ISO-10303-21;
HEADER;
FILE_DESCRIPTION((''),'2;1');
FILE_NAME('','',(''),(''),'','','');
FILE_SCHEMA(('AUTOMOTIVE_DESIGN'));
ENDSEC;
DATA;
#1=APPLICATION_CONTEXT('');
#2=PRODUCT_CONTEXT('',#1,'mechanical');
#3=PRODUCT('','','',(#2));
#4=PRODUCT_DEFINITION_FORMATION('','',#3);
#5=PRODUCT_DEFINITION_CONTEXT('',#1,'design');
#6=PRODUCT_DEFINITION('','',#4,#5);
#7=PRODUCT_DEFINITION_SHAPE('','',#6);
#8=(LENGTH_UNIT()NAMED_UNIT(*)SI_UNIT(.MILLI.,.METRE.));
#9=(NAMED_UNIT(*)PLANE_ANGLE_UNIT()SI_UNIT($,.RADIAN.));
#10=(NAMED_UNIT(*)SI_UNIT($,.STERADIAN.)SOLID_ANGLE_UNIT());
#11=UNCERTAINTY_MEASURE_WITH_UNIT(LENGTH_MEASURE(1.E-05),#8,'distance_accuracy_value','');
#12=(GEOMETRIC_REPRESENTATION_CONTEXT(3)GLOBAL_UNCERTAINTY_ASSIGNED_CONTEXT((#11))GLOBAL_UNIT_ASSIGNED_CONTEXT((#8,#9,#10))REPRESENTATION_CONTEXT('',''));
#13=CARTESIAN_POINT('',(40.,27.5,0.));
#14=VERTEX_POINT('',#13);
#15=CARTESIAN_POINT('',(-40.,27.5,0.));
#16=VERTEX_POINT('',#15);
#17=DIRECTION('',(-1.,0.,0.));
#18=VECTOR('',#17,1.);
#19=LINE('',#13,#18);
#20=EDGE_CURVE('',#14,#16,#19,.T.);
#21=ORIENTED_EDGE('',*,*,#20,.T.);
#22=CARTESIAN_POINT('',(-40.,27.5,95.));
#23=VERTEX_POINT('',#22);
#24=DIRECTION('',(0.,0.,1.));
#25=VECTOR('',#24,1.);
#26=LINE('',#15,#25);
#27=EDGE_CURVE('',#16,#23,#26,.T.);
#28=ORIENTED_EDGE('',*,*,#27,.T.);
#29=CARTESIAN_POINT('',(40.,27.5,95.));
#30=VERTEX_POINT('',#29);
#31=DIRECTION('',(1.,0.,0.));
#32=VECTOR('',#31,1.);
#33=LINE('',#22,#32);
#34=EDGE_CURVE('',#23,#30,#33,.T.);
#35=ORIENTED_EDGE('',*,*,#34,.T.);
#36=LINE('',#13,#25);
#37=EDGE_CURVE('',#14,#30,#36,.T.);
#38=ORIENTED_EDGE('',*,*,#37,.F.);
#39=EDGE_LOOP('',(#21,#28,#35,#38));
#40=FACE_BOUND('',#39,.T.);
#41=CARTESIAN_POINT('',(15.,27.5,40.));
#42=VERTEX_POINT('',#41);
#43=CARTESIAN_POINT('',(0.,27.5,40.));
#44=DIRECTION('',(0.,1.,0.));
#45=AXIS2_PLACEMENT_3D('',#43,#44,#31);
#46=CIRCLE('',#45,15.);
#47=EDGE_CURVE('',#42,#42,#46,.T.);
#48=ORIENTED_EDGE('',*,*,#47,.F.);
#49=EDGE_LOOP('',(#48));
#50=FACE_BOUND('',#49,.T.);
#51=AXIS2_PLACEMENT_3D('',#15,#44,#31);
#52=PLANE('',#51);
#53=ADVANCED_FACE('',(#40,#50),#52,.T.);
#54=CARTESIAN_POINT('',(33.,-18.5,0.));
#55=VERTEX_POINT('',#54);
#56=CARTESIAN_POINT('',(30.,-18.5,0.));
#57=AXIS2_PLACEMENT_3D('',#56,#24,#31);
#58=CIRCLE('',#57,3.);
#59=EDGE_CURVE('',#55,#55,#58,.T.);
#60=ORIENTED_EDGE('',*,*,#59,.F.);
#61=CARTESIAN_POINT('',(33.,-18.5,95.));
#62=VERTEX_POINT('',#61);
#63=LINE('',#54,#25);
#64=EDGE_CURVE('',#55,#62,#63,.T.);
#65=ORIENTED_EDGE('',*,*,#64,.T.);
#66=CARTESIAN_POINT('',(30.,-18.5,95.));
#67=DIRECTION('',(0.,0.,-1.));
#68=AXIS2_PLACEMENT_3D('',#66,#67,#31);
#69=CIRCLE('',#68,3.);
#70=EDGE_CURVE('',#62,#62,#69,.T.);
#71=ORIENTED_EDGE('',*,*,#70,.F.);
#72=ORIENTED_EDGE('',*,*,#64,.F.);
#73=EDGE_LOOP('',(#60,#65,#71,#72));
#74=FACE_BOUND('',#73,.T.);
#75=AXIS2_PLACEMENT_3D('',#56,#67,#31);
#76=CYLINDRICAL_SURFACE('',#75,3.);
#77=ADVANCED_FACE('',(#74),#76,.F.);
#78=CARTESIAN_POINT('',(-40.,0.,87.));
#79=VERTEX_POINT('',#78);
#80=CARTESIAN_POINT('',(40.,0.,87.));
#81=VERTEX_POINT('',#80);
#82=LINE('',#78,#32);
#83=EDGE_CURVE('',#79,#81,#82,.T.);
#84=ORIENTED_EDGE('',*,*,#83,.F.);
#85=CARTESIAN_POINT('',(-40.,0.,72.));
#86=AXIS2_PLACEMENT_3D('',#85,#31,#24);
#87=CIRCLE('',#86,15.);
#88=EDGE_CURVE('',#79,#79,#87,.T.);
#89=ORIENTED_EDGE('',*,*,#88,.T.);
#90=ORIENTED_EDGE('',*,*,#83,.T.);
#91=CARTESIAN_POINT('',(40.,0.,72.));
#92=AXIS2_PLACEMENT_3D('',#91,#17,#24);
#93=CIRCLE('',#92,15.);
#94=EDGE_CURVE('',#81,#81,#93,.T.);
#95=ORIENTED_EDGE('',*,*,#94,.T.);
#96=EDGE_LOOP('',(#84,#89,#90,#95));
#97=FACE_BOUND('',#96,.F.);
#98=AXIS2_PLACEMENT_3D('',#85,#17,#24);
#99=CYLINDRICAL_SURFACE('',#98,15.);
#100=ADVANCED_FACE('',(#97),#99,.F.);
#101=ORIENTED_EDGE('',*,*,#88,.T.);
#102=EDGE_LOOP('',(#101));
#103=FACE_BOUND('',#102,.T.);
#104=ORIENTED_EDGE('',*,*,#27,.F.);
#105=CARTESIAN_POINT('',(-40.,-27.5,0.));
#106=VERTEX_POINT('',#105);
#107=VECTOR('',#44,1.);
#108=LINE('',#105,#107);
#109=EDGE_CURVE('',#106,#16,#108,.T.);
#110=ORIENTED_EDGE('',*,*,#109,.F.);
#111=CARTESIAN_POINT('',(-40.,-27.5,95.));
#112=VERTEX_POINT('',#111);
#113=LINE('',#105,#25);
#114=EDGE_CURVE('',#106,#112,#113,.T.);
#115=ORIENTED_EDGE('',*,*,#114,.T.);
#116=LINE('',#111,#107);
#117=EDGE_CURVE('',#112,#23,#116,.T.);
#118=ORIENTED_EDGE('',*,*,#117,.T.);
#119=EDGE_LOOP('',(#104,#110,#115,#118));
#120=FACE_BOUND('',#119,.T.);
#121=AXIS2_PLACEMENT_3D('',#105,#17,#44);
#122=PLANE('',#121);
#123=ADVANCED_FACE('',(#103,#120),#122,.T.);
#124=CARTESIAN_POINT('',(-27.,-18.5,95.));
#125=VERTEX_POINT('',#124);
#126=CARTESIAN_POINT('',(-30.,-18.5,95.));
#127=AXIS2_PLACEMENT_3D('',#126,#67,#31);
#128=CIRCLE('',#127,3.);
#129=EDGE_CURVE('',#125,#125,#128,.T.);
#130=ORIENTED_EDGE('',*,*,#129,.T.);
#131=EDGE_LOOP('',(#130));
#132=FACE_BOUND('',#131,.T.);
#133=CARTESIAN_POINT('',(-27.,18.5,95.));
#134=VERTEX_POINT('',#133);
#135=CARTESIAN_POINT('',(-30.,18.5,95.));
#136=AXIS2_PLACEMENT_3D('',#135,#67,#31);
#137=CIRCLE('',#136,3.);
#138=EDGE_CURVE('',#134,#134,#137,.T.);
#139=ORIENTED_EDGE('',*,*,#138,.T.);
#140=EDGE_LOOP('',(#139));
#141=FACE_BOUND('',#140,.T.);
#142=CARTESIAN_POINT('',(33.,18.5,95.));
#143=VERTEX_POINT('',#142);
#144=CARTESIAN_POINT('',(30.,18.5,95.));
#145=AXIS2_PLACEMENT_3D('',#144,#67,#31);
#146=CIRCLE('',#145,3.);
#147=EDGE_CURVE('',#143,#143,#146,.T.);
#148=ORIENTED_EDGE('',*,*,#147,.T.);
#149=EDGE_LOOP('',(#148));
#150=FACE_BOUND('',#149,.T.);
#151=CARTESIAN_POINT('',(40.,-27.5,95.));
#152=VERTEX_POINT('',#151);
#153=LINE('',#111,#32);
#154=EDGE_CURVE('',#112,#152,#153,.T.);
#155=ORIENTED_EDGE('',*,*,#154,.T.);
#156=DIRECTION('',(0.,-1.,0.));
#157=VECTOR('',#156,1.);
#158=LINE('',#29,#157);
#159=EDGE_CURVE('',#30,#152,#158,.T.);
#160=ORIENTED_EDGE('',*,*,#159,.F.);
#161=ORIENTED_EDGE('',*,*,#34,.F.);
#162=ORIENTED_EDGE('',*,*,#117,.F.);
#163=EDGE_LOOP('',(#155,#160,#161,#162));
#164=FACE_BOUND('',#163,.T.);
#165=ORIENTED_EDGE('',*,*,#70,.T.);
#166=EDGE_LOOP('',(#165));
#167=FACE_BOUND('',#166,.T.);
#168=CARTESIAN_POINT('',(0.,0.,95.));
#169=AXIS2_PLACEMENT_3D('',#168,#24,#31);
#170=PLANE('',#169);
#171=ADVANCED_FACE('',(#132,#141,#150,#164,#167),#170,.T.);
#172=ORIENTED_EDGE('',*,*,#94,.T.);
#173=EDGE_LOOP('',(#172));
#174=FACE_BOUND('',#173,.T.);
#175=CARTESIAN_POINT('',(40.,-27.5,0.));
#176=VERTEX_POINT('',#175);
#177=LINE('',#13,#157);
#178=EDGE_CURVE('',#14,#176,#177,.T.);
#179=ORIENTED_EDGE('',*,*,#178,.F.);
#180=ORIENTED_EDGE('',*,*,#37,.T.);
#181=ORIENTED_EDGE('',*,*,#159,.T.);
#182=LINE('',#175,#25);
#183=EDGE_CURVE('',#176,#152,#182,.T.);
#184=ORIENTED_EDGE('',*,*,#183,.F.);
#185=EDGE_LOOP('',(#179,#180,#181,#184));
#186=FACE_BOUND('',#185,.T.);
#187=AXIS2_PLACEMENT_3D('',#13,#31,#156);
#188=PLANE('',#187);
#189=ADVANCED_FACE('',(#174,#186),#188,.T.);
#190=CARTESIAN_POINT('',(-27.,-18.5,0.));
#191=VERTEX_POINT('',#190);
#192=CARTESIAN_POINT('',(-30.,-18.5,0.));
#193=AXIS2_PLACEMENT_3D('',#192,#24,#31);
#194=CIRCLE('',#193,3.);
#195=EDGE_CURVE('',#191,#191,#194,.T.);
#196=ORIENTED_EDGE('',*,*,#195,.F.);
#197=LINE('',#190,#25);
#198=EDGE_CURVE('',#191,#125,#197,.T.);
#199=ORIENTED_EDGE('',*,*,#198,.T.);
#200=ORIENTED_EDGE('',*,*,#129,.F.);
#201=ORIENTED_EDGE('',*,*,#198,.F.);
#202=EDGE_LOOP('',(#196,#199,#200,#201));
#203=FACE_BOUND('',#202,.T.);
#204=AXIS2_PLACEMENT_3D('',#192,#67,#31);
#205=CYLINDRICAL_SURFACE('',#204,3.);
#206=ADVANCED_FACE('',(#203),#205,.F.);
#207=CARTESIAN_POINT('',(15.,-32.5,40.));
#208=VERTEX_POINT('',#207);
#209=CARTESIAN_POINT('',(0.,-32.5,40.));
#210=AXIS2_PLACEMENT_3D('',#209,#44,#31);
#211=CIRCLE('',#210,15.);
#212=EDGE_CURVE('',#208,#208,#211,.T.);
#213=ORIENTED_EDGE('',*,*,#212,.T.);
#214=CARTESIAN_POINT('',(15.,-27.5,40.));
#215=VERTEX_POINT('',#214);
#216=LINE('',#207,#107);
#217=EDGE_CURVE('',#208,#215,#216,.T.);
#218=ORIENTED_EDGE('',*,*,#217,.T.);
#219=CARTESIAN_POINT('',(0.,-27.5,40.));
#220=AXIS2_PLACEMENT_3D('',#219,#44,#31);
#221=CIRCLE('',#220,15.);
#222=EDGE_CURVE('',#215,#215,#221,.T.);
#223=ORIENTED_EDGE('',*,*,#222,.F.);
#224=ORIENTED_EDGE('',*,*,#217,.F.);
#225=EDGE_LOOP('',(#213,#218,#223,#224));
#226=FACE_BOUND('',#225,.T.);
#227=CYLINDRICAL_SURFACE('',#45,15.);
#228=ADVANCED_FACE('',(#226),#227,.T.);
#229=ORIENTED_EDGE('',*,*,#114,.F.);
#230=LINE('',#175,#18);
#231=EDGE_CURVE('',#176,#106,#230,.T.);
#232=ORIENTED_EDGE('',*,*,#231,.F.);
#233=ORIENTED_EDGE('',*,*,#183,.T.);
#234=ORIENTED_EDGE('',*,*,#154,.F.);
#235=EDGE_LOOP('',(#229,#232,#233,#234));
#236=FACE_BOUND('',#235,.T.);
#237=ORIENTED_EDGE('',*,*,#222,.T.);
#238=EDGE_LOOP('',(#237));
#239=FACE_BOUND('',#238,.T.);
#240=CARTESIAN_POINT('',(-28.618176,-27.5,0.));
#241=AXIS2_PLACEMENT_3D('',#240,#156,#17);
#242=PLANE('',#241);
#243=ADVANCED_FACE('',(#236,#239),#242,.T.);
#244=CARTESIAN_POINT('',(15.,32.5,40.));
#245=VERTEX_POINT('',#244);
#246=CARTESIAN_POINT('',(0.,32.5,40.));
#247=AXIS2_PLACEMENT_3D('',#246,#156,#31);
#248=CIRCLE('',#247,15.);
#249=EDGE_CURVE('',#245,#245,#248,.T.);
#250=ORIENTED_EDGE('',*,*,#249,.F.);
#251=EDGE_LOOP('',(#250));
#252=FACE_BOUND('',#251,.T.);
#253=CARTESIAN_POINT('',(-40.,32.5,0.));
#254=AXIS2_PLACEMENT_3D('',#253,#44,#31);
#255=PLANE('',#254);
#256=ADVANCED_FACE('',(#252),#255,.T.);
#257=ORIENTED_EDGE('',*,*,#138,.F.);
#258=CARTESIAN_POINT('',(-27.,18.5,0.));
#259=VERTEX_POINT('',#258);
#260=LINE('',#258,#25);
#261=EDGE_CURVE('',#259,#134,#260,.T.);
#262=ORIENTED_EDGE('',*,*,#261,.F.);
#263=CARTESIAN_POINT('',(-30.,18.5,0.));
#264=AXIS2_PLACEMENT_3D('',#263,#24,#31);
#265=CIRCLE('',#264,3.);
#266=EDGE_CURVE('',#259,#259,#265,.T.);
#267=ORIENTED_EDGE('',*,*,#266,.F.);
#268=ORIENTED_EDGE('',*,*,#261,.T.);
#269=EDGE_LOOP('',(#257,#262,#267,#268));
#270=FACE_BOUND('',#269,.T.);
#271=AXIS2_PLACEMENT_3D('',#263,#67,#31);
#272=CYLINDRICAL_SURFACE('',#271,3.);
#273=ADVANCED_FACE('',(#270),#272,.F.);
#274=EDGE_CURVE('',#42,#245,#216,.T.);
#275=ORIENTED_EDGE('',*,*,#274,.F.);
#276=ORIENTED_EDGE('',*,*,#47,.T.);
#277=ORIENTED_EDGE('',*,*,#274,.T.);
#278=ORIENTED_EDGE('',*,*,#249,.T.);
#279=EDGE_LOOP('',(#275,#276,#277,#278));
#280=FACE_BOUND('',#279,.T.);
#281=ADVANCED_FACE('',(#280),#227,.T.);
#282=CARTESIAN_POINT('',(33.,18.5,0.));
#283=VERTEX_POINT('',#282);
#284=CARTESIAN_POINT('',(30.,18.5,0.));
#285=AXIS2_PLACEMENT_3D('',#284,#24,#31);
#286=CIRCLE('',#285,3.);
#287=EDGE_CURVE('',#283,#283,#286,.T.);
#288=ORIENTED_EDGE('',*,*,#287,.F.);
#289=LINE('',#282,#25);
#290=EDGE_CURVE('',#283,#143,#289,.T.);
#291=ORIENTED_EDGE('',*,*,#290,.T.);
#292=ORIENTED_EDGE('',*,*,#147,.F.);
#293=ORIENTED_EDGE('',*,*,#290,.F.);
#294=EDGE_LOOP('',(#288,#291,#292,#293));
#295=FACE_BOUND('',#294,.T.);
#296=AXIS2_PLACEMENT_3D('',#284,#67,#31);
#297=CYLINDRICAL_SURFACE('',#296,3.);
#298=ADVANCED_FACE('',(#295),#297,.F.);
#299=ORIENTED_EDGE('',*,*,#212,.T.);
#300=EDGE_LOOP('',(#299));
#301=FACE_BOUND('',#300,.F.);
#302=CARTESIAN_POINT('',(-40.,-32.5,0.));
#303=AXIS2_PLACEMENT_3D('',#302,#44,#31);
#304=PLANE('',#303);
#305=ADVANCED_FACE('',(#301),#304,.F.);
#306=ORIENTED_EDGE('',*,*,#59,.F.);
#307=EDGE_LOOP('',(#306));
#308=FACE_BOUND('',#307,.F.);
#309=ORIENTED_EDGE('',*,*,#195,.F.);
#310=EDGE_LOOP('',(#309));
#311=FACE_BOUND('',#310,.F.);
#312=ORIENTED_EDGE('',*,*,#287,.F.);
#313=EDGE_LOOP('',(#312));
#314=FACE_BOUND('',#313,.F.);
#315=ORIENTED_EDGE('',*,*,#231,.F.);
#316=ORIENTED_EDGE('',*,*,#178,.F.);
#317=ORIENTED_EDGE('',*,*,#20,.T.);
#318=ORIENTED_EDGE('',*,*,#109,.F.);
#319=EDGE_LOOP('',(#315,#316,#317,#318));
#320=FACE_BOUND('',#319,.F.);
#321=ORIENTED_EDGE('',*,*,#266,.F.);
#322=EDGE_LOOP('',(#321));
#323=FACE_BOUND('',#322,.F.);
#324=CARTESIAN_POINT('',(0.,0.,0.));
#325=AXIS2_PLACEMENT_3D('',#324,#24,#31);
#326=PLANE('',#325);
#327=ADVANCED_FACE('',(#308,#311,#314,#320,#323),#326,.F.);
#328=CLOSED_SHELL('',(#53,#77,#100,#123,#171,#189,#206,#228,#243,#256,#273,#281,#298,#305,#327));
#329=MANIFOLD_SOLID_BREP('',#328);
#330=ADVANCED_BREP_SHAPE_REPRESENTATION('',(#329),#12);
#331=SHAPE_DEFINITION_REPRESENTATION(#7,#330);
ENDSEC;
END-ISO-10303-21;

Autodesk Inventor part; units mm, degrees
ref_plane "YZ Plane" through (0, 0, 0) normal (1, 0, 0) x (0, 1, 0)
ref_plane "XZ Plane" through (0, 0, 0) normal (0, 1, 0) x (-1, 0, 0)
ref_plane "XY Plane" through (0, 0, 0) normal (0, 0, 1) x (1, 0, 0)
sketch "草圖1" plane through (0, 0, 0) normal (0, 0, 1) x (1, 0, 0)
  line L0 (-40, 27.5) -> (40, 27.5)
  line L1 (40, 27.5) -> (40, -27.5)
  line L2 (40, -27.5) -> (-40, -27.5)
  line L3 (-40, -27.5) -> (-40, 27.5)
  line L4 (-40, 27.5) -> (40, -27.5) construction
  line L5 (40, 27.5) -> (-40, -27.5) construction
  circle A0 centre (0, 0) radius 18.5
  circle A1 centre (0, -18.5) radius 30
  circle A2 centre (-30, -18.5) radius 3
  circle A3 centre (30, -18.5) radius 3
  circle A4 centre (0, 18.5) radius 30
  circle A5 centre (-30, 18.5) radius 3
  circle A6 centre (30, 18.5) radius 3
  dimension "d0" = 80
  dimension "d1" = 55
  dimension "d4" = 37
  dimension "d5" = 60
  dimension "d6" = 6
  dimension "d7" = 6
  dimension "d8" = 60
  dimension "d9" = 6
  dimension "d10" = 6
extrude "擠出1" add sketch "草圖1" along normal blind 95 contours L0 A4 A5 A1 A2 L2 L3 | L0 A4 A6 A1 A0 A5 | L0 L1 L2 A1 A3 A4 A6 | A1 A2 A4 A0 A3 L2 | A1 A0 A4 | A4 A0 A1 | A1 A0 A4 | A0 A1 | A4 A0
sketch "草圖2" plane through (-40, -27.5, 0) normal (-1, 0, 0) x (0, 0, 1)
  line L0 (95, 0) -> (95, 55) projected
  circle A0 centre (95, 0) radius 27.5
  circle A1 centre (95, 27.5) radius 23
  circle A2 centre (72, 27.5) radius 15
  point P0 (0, 27.5)
  dimension "d11" = 46
  dimension "d12" = 30
extrude "擠出2" cut sketch "草圖2" along normal through all both and the other way through all contours A2 A0 A1 | A1 A0 A2 | A0 A1 A2 | A0 A2 A1 picked at (73.0639, 14.4683) picked at (77.5879, 17.5315) picked at (79.9817, 30.5353) picked at (67.7059, 31.4722)
sketch "草圖3" plane through (-40, 27.5, 0) normal (0, 1, 0) x (1, 0, 0)
  circle A0 centre (40, 0) radius 40
  circle A1 centre (40, -40) radius 15
  dimension "d15" = 80
  dimension "d16" = 30
extrude "擠出3" add sketch "草圖3" along normal blind 5 and the other way blind 60 contours A1 A0 | A0 A1 picked at (35.277, -35.2849) picked at (34.8016, -43.9729)
properties part number "MotorPart1"
